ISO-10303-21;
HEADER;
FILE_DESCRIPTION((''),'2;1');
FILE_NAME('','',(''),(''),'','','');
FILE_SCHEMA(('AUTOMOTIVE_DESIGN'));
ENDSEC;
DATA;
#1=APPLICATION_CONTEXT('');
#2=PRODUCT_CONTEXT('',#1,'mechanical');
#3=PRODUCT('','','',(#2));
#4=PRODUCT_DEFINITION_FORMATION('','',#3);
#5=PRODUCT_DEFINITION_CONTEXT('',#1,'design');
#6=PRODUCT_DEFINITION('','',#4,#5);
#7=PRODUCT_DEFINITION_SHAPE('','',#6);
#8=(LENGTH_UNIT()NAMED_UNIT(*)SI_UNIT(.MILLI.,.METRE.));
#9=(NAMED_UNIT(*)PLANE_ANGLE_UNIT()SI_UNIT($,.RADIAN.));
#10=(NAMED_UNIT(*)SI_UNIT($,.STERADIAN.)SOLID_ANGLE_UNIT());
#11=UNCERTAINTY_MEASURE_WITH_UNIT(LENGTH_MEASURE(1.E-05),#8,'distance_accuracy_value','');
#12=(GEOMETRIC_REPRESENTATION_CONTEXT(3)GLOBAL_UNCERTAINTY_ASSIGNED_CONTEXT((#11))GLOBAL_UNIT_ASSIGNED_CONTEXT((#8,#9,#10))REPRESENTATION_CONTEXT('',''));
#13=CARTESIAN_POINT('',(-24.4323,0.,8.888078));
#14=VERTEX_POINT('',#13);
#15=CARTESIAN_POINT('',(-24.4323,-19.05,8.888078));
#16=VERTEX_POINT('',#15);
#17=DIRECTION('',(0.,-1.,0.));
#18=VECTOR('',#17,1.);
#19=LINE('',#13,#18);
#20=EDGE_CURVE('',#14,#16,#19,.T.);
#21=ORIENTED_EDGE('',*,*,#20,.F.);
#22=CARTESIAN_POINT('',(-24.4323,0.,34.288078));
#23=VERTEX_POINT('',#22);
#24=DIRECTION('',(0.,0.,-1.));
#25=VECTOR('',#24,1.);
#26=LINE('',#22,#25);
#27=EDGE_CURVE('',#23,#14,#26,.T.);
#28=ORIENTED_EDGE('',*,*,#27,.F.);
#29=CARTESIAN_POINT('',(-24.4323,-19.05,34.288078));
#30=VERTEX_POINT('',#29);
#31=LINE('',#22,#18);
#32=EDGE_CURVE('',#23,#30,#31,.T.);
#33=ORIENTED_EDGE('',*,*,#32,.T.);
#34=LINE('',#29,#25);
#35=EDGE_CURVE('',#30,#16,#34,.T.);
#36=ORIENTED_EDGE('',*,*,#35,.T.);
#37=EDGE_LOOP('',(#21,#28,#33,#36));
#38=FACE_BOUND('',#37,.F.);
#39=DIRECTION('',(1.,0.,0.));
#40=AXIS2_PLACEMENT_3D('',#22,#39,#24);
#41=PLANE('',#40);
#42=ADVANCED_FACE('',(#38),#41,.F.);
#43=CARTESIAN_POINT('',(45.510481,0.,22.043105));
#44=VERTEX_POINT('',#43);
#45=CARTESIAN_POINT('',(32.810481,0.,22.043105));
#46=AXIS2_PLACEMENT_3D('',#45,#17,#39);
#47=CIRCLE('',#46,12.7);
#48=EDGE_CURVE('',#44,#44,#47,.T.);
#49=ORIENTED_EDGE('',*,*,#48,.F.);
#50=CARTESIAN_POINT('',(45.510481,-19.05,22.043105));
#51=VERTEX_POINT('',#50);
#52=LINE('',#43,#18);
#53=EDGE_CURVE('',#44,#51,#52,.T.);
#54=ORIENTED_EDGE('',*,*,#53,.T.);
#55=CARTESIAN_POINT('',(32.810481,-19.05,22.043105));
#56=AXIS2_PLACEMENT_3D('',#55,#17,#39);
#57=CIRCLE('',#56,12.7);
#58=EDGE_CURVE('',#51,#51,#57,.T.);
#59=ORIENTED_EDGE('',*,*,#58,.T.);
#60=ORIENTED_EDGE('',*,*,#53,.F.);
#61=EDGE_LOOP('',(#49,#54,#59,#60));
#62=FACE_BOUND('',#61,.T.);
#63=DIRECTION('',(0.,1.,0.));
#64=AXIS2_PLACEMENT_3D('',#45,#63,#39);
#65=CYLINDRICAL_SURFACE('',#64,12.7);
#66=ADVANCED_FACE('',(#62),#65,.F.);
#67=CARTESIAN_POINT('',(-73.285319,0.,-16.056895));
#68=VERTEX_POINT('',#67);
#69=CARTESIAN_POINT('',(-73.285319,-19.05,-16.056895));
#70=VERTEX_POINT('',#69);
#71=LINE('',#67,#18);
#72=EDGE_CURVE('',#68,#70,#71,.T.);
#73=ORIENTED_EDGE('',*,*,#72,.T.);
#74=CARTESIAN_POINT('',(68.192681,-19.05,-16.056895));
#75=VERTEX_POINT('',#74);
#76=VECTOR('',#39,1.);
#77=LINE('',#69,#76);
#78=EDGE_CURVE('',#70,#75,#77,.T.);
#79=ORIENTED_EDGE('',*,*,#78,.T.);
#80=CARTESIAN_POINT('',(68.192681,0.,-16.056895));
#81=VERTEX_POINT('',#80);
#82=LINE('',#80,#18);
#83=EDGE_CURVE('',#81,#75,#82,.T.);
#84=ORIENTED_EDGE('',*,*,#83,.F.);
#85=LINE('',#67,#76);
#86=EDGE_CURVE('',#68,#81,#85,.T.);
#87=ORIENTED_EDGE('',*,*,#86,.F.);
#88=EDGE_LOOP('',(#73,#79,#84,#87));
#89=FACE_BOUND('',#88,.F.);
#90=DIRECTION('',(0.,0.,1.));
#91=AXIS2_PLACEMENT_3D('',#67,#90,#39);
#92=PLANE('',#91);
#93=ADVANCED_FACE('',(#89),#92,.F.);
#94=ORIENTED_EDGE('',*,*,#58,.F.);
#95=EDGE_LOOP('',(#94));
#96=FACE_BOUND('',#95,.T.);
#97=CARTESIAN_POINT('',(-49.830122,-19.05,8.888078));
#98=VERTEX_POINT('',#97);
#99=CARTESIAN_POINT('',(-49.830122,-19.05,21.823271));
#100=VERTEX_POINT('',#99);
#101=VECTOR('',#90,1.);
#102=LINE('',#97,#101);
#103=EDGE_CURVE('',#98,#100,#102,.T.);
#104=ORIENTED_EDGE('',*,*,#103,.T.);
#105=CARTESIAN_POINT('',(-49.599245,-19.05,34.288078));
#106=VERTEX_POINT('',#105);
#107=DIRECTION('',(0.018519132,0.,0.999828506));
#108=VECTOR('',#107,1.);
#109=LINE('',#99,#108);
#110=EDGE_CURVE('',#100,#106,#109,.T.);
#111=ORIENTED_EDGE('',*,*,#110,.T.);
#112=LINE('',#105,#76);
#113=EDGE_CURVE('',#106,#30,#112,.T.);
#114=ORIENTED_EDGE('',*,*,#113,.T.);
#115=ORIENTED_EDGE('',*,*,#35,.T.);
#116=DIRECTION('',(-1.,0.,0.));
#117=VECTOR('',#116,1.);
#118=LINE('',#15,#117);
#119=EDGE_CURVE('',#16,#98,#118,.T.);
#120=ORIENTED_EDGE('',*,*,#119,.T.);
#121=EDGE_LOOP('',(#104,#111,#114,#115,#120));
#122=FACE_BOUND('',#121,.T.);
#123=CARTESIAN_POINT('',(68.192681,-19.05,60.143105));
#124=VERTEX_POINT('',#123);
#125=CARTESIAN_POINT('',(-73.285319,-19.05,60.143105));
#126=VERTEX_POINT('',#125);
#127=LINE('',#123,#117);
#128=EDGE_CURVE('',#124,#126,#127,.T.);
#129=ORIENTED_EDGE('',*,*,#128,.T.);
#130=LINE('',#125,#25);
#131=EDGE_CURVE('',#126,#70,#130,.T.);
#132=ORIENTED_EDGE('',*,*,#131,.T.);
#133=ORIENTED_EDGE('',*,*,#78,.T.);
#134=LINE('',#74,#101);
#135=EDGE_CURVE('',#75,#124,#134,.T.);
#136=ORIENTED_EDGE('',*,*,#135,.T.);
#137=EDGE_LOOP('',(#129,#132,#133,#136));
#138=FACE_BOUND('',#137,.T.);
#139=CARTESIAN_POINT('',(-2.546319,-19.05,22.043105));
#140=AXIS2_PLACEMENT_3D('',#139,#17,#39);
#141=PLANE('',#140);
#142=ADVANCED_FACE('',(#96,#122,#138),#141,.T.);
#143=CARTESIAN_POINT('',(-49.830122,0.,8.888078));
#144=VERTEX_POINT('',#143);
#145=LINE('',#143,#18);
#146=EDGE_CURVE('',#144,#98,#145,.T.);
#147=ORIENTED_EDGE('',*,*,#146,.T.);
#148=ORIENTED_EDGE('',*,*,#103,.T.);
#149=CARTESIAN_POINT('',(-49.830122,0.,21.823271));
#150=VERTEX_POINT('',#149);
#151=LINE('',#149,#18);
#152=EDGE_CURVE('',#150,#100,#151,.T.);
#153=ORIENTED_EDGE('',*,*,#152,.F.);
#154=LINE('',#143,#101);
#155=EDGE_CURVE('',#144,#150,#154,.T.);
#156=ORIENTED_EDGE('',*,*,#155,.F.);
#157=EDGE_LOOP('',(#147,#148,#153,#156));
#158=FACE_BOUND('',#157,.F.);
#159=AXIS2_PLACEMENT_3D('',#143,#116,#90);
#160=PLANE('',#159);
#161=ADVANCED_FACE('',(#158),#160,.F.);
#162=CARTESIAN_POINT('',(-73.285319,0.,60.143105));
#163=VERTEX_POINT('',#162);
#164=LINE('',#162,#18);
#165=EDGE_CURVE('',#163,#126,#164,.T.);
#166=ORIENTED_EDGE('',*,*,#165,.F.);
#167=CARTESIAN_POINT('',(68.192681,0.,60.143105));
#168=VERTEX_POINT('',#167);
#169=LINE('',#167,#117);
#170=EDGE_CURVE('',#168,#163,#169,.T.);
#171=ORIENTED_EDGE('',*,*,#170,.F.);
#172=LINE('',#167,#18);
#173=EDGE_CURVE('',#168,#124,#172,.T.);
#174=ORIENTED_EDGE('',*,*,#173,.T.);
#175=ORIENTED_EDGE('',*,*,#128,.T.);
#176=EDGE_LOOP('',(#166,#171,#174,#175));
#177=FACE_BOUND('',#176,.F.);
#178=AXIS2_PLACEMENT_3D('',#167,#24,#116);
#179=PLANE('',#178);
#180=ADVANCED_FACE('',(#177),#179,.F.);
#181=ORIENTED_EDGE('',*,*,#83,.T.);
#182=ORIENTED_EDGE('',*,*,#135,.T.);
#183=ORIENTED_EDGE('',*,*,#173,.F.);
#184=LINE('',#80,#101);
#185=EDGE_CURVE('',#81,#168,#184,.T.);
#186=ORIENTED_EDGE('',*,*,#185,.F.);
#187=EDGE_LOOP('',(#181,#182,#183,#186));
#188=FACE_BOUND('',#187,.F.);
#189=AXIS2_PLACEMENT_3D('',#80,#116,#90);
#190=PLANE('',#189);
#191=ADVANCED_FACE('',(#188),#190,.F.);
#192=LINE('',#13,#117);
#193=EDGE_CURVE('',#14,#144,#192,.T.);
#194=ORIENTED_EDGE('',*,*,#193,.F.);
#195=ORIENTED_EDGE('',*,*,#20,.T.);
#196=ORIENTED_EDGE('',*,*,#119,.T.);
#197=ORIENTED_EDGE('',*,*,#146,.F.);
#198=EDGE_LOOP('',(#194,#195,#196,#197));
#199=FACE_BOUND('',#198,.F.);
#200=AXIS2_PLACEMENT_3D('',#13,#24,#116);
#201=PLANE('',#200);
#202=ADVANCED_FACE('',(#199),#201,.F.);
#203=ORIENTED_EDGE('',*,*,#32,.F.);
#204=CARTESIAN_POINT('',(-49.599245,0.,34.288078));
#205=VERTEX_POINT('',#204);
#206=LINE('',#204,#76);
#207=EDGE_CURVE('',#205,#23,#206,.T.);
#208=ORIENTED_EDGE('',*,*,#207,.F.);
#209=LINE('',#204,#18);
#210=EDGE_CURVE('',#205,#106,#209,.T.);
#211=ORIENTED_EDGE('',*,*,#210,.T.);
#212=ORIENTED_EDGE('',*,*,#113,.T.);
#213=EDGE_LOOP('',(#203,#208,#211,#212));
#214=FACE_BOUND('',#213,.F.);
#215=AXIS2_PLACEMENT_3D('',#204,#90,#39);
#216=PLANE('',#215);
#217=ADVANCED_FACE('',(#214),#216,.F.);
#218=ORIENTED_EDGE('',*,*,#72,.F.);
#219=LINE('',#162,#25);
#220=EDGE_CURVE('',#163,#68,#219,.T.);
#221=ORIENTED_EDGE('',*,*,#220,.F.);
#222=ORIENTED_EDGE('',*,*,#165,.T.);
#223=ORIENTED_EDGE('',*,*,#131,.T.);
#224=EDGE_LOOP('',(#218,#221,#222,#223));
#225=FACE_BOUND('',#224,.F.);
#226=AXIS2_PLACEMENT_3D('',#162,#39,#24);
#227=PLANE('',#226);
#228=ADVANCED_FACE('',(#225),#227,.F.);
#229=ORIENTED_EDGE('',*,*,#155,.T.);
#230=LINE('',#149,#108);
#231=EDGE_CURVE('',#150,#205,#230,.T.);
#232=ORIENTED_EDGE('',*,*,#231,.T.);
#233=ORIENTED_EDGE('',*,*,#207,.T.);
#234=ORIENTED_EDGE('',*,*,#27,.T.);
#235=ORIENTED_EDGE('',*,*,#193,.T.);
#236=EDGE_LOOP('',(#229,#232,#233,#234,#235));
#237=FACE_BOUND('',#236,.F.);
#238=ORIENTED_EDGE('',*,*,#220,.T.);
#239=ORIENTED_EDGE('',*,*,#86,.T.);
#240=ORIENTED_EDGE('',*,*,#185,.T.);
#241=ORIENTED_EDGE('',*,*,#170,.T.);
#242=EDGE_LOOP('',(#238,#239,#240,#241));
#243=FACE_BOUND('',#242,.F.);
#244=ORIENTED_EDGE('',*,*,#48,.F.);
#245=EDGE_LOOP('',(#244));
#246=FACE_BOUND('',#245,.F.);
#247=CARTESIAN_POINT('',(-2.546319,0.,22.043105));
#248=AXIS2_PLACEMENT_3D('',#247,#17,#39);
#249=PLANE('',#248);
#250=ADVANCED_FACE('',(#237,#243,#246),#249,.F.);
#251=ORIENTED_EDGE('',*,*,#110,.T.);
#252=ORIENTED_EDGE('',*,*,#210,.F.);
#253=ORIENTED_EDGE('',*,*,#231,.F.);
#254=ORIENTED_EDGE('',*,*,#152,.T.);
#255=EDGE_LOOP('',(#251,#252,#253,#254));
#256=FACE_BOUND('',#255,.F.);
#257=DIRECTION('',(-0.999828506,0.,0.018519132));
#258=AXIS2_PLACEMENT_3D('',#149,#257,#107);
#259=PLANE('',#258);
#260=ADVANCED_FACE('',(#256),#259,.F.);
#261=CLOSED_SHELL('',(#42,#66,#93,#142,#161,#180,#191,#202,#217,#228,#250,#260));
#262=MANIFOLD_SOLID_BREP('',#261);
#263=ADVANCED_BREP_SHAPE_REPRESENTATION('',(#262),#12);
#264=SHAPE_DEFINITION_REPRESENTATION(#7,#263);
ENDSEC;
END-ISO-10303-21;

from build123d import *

# Parameters (mm, degrees)
F0_R     = 12.7
F1_DEPTH = 19.05


with BuildPart() as f1:
    # F0 (on Front) → F1 (new body)
    with BuildSketch(Plane.XZ):
        Polygon((68.192681, 60.143105), (-73.285319, 60.143105), (-73.285319, -16.056895), (-2.546319, -16.056895), (68.192681, -16.056895), align=None)
        Polygon((-49.599245, 34.288078), (-37.1323, 34.288078), (-24.4323, 34.288078), (-24.4323, 21.588078), (-24.4323, 8.888078), (-37.1323, 8.888078), (-49.830122, 8.888078), (-49.830122, 21.823271), align=None, mode=Mode.SUBTRACT)
        with Locations((32.810481, 22.043105)):
            Circle(F0_R, mode=Mode.SUBTRACT)
    extrude(amount=F1_DEPTH)


solid = f1.part
